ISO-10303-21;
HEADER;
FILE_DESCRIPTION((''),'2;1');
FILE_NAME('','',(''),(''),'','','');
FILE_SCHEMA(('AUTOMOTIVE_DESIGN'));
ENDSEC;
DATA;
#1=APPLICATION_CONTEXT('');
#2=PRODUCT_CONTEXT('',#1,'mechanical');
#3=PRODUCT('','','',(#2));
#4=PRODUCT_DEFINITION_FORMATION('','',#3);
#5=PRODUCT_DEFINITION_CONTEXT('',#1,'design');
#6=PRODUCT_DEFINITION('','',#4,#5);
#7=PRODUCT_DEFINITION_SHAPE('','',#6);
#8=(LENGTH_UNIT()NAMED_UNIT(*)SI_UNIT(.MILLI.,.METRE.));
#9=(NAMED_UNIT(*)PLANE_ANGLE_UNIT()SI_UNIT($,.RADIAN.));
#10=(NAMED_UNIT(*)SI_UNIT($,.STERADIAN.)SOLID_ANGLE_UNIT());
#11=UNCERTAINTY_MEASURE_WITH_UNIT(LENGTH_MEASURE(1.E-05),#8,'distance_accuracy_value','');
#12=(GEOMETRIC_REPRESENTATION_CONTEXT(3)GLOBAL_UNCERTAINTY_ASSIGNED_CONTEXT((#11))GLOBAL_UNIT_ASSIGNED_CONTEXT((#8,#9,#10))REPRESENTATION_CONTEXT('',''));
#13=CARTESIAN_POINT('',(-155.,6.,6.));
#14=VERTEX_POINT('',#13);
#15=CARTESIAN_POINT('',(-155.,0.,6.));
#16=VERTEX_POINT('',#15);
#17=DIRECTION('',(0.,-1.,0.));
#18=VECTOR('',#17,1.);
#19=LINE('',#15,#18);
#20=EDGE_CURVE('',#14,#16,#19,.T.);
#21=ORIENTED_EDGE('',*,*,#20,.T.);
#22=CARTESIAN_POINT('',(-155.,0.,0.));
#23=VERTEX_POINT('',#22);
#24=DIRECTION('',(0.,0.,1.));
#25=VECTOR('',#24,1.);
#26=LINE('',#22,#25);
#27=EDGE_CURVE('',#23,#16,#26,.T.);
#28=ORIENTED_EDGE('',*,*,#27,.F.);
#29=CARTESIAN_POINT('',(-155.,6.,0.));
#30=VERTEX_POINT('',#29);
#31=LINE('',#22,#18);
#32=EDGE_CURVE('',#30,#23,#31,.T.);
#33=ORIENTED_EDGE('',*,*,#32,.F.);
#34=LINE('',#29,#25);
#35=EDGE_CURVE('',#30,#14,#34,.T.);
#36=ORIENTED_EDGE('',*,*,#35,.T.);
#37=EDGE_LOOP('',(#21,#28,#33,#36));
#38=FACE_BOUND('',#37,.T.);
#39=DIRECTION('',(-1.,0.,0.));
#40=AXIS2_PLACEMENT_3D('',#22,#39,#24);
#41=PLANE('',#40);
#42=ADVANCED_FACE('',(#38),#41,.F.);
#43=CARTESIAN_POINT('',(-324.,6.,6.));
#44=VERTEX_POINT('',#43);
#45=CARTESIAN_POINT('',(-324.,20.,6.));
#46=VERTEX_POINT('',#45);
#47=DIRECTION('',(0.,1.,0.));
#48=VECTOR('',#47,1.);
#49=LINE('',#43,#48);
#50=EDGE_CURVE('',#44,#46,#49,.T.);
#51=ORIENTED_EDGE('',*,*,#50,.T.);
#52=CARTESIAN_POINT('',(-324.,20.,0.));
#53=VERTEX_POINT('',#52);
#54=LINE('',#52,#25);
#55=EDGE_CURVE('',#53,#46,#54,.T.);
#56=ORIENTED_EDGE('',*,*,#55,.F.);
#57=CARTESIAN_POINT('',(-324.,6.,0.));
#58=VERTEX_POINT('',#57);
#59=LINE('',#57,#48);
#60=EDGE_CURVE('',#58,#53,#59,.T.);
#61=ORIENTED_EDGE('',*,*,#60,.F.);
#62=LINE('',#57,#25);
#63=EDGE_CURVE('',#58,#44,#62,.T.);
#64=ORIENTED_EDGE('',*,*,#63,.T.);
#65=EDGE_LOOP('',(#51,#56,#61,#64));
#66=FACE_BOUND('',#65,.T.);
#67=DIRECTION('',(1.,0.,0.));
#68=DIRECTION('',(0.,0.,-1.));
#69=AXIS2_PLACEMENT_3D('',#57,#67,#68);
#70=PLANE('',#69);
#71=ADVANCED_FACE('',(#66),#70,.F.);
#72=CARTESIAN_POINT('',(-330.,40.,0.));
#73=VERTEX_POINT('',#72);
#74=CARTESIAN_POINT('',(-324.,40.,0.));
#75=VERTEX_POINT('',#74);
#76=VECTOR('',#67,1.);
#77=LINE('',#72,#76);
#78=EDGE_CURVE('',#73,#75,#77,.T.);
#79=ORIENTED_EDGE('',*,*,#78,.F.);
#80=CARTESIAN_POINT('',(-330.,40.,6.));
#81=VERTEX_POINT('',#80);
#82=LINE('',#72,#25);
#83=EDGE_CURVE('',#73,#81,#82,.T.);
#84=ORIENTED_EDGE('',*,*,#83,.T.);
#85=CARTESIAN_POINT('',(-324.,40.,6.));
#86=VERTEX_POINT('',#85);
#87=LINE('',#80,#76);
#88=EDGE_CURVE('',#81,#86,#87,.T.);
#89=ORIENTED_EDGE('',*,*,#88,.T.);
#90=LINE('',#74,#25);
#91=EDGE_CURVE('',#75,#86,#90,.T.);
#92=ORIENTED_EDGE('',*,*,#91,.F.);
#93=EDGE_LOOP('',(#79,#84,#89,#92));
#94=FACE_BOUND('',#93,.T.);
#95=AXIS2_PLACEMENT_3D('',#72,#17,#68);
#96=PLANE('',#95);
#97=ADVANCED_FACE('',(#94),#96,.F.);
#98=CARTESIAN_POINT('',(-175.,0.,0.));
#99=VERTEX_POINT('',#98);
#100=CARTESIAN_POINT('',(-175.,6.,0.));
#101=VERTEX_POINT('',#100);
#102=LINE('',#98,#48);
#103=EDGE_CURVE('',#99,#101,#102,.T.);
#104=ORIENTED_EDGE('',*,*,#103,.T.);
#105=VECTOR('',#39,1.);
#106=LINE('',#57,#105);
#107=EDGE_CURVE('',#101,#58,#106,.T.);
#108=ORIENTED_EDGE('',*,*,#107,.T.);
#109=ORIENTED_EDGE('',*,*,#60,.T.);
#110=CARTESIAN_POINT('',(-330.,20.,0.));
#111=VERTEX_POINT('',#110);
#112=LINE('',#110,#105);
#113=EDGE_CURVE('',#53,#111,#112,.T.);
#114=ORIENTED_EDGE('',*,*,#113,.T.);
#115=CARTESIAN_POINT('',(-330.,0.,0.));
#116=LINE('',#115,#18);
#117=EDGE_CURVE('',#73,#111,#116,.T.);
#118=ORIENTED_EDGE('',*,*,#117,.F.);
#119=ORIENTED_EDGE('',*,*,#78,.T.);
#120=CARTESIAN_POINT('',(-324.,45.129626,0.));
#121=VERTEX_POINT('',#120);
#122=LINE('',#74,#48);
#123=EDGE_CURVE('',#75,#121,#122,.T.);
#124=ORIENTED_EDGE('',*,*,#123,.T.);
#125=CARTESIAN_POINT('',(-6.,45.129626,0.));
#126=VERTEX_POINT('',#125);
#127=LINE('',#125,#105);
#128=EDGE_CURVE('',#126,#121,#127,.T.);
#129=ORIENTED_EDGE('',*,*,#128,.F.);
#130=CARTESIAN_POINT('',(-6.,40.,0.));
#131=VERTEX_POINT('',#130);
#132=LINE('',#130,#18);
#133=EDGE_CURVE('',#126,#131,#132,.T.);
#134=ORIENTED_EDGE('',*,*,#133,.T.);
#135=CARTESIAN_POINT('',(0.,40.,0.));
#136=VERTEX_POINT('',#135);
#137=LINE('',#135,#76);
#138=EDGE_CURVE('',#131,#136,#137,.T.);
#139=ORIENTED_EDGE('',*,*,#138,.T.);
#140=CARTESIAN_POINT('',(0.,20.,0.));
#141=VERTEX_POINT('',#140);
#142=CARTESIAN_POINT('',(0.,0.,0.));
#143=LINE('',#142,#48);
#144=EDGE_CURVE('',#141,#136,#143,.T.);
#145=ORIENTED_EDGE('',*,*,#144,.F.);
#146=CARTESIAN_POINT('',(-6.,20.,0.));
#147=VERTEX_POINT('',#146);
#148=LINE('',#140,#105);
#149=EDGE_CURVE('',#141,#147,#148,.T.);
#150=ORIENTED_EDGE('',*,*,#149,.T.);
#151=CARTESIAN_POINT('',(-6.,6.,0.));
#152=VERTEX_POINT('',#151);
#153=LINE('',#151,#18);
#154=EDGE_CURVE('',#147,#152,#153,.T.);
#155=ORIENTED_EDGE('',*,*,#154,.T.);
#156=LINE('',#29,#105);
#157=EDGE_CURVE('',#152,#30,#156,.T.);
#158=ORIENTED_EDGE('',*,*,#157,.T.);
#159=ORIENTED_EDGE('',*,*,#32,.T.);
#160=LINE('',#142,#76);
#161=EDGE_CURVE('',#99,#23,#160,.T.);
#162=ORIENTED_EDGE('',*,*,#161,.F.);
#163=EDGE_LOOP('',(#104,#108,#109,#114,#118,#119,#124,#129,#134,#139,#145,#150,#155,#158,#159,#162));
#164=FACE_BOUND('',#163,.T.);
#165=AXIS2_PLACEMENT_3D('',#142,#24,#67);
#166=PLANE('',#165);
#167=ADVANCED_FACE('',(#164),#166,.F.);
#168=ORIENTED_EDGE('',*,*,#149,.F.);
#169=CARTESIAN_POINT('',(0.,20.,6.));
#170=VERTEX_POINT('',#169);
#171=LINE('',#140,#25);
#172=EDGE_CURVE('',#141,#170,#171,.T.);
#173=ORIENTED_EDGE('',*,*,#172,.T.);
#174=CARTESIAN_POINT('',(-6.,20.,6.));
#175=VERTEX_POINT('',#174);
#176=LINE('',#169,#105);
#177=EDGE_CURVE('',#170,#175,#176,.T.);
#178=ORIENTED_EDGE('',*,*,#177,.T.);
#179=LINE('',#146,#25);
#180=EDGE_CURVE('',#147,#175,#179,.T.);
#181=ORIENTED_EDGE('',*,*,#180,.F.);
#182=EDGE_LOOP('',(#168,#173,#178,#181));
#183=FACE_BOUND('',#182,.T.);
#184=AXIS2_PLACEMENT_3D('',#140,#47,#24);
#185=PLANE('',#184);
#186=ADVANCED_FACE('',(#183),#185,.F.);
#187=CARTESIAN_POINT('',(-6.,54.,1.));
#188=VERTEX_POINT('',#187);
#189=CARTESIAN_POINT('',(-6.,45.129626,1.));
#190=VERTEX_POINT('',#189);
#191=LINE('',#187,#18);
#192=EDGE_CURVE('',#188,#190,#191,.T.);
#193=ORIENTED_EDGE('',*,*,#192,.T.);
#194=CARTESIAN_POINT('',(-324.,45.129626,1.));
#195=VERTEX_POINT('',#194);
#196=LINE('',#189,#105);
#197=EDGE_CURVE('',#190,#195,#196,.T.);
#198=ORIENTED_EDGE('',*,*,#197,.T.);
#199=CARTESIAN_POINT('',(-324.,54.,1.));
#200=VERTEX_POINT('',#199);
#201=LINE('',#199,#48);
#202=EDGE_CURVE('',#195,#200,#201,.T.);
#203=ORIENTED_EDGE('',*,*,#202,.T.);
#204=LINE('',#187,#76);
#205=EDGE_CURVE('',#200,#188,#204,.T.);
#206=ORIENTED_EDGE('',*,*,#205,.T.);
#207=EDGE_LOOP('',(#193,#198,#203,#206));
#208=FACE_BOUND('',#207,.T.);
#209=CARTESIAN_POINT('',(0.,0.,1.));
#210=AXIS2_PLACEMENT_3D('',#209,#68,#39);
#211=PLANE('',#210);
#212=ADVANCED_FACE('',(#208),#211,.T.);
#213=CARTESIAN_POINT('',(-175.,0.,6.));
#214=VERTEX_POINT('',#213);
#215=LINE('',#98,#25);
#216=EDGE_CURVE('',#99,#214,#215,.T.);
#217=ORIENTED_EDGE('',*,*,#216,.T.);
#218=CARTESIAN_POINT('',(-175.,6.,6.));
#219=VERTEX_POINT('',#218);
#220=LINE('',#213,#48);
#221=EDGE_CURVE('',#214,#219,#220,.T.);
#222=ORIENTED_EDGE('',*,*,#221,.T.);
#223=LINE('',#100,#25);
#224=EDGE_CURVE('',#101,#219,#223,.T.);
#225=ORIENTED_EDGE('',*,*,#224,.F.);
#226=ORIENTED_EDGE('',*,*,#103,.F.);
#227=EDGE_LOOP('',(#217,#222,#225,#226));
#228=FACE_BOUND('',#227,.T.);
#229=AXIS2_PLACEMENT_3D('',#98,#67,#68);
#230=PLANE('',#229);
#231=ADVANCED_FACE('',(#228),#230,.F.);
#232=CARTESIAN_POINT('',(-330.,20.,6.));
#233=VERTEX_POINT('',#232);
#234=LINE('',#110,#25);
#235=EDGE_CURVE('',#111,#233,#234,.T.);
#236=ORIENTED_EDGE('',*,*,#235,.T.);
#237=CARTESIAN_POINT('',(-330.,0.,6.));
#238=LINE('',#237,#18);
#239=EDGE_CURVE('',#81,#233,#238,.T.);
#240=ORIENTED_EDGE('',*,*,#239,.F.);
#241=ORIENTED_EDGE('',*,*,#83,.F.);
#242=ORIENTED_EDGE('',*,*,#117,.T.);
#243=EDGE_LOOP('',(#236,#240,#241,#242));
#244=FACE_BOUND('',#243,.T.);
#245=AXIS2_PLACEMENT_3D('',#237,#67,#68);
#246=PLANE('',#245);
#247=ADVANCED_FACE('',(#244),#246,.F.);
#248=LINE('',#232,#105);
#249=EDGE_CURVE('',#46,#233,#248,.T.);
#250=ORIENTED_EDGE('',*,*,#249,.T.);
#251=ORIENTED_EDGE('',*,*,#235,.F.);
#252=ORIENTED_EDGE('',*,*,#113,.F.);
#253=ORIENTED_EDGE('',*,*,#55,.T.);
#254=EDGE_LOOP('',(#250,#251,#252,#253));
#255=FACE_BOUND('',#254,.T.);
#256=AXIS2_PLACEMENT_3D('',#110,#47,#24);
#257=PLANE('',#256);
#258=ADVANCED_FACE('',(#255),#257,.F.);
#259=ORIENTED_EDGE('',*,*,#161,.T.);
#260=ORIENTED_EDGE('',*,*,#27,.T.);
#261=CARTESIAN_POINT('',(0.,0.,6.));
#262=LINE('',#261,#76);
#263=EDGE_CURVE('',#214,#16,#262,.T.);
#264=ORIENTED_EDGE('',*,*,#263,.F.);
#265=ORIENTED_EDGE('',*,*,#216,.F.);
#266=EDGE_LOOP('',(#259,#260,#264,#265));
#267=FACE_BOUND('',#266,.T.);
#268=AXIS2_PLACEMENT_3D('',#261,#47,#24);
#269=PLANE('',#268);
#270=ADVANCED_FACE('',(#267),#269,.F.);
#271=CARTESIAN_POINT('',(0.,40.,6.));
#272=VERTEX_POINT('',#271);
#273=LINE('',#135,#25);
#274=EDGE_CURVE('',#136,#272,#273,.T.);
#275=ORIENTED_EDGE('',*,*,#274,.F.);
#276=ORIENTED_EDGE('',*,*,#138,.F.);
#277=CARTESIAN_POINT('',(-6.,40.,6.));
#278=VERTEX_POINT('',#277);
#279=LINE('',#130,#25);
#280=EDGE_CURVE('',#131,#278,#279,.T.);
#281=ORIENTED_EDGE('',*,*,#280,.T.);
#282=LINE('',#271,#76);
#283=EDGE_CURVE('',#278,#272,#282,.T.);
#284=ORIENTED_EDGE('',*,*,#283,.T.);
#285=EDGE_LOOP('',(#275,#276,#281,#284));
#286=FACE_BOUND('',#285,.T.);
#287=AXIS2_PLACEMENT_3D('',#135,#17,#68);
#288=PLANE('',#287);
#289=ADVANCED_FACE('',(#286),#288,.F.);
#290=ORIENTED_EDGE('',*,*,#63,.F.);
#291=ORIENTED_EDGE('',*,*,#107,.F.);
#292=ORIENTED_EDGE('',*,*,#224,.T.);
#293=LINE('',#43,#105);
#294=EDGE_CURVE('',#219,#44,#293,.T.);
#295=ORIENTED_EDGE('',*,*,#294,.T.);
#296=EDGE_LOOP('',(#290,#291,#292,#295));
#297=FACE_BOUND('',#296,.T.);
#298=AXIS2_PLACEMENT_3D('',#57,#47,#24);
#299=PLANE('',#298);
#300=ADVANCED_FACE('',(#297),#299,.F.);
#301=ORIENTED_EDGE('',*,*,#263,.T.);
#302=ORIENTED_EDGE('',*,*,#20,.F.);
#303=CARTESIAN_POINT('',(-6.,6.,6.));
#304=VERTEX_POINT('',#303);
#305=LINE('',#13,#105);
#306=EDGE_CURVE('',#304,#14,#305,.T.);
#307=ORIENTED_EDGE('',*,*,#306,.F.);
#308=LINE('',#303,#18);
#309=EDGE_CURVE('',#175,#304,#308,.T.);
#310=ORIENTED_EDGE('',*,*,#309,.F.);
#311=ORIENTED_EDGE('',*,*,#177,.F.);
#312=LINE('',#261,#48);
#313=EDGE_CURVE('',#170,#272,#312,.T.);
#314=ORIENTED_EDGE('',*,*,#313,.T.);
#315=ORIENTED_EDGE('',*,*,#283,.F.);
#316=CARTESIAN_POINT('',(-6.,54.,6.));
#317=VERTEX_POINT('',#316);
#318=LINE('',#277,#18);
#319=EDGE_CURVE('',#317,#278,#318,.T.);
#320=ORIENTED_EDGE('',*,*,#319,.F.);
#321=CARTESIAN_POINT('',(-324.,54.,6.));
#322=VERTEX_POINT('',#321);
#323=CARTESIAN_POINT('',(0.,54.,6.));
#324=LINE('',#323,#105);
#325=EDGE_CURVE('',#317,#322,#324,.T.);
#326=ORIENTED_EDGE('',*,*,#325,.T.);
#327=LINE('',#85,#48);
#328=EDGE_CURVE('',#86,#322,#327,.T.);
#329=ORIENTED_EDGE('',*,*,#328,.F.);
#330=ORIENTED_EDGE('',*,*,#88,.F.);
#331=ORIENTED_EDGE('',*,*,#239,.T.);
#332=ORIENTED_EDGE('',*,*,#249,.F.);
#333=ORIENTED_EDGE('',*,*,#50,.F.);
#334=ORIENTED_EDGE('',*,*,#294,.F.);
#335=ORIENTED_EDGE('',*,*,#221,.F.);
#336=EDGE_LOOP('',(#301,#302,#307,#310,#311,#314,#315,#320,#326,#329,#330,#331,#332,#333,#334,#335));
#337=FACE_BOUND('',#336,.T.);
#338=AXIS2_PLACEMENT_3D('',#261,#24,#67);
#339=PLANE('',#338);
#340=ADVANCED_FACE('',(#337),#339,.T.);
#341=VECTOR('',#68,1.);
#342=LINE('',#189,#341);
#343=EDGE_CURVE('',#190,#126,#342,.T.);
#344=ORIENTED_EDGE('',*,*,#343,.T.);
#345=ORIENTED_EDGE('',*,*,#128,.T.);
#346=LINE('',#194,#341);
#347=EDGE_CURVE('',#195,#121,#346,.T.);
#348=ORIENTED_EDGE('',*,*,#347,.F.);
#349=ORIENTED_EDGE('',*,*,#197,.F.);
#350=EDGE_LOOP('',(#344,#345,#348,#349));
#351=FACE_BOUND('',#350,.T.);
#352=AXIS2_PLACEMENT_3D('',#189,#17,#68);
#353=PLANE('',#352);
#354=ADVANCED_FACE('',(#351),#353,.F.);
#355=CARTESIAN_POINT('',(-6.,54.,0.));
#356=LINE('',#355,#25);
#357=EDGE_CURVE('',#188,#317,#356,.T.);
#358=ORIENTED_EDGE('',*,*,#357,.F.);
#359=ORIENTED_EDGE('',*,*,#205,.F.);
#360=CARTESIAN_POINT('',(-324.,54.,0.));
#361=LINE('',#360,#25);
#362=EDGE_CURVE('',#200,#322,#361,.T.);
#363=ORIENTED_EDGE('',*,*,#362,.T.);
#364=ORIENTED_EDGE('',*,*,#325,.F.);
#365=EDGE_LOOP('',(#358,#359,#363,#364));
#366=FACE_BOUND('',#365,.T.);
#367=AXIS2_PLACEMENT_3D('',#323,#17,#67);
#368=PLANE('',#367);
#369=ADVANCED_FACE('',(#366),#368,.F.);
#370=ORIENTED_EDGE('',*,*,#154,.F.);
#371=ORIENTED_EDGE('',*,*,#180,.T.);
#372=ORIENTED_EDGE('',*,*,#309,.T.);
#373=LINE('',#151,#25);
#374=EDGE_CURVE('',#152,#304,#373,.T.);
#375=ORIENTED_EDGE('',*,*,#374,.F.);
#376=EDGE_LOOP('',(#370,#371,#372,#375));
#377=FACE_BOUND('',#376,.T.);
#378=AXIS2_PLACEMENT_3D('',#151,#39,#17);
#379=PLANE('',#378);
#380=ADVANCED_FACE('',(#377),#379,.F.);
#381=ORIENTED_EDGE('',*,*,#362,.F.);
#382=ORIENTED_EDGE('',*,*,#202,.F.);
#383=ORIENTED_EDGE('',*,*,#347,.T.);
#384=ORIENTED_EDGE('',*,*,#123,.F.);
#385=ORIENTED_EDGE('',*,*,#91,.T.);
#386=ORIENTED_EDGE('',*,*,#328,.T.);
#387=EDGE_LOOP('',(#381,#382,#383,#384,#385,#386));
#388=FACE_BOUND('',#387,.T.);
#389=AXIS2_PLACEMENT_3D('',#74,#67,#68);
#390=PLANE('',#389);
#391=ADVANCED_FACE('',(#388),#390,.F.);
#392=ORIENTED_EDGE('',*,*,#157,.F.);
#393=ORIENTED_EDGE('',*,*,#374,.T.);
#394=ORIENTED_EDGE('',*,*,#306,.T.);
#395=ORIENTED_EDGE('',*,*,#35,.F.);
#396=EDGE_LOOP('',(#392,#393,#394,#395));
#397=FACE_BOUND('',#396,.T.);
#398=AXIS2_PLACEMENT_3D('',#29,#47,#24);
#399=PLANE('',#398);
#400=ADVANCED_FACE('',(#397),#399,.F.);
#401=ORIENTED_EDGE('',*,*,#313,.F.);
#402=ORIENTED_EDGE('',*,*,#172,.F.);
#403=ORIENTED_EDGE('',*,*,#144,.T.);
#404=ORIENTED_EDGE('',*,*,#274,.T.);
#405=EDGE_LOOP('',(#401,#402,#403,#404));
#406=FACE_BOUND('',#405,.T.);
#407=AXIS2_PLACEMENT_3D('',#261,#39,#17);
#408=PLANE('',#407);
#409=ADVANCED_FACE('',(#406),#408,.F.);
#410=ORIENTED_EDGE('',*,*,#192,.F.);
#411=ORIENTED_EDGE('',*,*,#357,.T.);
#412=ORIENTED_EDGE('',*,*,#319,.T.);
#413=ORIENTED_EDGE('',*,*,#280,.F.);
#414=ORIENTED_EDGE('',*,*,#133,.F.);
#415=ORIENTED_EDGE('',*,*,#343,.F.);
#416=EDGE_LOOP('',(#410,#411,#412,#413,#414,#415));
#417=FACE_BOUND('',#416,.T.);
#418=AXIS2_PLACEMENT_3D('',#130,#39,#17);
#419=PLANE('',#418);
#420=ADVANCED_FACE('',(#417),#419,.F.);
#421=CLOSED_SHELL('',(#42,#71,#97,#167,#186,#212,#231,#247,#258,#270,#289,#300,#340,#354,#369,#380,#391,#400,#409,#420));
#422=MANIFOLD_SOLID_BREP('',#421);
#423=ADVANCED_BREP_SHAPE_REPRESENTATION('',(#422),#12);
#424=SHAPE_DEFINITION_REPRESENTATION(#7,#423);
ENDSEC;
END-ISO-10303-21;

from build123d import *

# Parameters (mm, degrees)
ESQUISSE1_W             = 330
ESQUISSE1_H             = 54
BOSS_EXTRU_1_DEPTH      = 6
ESQUISSE2_W             = 6
ESQUISSE2_H             = 14
ENL_V_MAT_EXTRU_1_DEPTH = 335.442820225
ESQUISSE4_W             = 318
ESQUISSE4_H             = 8.870374263
ENL_V_MAT_EXTRU_2_DEPTH = 1


with BuildPart() as part:
    # Esquisse1 → Boss.-Extru.1 (new body)
    with BuildSketch(Plane.XY):
        with Locations((-165, 27)):
            Rectangle(ESQUISSE1_W, ESQUISSE1_H)
    extrude(amount=BOSS_EXTRU_1_DEPTH)

    # Esquisse2 → Enlèv. mat.-Extru.1 (cut, through all)
    with BuildSketch(Plane.XY.offset(6)):
        Polygon((-330, 0), (-175, 0), (-175, 6), (-324, 6), (-324, 20), (-330, 20), align=None)
        with Locations((-327, 47)):
            Rectangle(ESQUISSE2_W, ESQUISSE2_H)
        Polygon((-155, 0), (0, 0), (0, 20), (-6, 20), (-6, 6), (-155, 6), align=None)
        with Locations((-3, 47)):
            Rectangle(ESQUISSE2_W, ESQUISSE2_H)
    extrude(amount=-ENL_V_MAT_EXTRU_1_DEPTH, mode=Mode.SUBTRACT)

    # Esquisse4 → Enlèv. mat.-Extru.2 (cut)
    with BuildSketch(Plane(origin=(0, 0, 0), x_dir=(-1, 0, 0), z_dir=(0, 0, -1))):
        with Locations((165, 49.564812868)):
            Rectangle(ESQUISSE4_W, ESQUISSE4_H)
    extrude(amount=-ENL_V_MAT_EXTRU_2_DEPTH, mode=Mode.SUBTRACT)


solid = part.part
